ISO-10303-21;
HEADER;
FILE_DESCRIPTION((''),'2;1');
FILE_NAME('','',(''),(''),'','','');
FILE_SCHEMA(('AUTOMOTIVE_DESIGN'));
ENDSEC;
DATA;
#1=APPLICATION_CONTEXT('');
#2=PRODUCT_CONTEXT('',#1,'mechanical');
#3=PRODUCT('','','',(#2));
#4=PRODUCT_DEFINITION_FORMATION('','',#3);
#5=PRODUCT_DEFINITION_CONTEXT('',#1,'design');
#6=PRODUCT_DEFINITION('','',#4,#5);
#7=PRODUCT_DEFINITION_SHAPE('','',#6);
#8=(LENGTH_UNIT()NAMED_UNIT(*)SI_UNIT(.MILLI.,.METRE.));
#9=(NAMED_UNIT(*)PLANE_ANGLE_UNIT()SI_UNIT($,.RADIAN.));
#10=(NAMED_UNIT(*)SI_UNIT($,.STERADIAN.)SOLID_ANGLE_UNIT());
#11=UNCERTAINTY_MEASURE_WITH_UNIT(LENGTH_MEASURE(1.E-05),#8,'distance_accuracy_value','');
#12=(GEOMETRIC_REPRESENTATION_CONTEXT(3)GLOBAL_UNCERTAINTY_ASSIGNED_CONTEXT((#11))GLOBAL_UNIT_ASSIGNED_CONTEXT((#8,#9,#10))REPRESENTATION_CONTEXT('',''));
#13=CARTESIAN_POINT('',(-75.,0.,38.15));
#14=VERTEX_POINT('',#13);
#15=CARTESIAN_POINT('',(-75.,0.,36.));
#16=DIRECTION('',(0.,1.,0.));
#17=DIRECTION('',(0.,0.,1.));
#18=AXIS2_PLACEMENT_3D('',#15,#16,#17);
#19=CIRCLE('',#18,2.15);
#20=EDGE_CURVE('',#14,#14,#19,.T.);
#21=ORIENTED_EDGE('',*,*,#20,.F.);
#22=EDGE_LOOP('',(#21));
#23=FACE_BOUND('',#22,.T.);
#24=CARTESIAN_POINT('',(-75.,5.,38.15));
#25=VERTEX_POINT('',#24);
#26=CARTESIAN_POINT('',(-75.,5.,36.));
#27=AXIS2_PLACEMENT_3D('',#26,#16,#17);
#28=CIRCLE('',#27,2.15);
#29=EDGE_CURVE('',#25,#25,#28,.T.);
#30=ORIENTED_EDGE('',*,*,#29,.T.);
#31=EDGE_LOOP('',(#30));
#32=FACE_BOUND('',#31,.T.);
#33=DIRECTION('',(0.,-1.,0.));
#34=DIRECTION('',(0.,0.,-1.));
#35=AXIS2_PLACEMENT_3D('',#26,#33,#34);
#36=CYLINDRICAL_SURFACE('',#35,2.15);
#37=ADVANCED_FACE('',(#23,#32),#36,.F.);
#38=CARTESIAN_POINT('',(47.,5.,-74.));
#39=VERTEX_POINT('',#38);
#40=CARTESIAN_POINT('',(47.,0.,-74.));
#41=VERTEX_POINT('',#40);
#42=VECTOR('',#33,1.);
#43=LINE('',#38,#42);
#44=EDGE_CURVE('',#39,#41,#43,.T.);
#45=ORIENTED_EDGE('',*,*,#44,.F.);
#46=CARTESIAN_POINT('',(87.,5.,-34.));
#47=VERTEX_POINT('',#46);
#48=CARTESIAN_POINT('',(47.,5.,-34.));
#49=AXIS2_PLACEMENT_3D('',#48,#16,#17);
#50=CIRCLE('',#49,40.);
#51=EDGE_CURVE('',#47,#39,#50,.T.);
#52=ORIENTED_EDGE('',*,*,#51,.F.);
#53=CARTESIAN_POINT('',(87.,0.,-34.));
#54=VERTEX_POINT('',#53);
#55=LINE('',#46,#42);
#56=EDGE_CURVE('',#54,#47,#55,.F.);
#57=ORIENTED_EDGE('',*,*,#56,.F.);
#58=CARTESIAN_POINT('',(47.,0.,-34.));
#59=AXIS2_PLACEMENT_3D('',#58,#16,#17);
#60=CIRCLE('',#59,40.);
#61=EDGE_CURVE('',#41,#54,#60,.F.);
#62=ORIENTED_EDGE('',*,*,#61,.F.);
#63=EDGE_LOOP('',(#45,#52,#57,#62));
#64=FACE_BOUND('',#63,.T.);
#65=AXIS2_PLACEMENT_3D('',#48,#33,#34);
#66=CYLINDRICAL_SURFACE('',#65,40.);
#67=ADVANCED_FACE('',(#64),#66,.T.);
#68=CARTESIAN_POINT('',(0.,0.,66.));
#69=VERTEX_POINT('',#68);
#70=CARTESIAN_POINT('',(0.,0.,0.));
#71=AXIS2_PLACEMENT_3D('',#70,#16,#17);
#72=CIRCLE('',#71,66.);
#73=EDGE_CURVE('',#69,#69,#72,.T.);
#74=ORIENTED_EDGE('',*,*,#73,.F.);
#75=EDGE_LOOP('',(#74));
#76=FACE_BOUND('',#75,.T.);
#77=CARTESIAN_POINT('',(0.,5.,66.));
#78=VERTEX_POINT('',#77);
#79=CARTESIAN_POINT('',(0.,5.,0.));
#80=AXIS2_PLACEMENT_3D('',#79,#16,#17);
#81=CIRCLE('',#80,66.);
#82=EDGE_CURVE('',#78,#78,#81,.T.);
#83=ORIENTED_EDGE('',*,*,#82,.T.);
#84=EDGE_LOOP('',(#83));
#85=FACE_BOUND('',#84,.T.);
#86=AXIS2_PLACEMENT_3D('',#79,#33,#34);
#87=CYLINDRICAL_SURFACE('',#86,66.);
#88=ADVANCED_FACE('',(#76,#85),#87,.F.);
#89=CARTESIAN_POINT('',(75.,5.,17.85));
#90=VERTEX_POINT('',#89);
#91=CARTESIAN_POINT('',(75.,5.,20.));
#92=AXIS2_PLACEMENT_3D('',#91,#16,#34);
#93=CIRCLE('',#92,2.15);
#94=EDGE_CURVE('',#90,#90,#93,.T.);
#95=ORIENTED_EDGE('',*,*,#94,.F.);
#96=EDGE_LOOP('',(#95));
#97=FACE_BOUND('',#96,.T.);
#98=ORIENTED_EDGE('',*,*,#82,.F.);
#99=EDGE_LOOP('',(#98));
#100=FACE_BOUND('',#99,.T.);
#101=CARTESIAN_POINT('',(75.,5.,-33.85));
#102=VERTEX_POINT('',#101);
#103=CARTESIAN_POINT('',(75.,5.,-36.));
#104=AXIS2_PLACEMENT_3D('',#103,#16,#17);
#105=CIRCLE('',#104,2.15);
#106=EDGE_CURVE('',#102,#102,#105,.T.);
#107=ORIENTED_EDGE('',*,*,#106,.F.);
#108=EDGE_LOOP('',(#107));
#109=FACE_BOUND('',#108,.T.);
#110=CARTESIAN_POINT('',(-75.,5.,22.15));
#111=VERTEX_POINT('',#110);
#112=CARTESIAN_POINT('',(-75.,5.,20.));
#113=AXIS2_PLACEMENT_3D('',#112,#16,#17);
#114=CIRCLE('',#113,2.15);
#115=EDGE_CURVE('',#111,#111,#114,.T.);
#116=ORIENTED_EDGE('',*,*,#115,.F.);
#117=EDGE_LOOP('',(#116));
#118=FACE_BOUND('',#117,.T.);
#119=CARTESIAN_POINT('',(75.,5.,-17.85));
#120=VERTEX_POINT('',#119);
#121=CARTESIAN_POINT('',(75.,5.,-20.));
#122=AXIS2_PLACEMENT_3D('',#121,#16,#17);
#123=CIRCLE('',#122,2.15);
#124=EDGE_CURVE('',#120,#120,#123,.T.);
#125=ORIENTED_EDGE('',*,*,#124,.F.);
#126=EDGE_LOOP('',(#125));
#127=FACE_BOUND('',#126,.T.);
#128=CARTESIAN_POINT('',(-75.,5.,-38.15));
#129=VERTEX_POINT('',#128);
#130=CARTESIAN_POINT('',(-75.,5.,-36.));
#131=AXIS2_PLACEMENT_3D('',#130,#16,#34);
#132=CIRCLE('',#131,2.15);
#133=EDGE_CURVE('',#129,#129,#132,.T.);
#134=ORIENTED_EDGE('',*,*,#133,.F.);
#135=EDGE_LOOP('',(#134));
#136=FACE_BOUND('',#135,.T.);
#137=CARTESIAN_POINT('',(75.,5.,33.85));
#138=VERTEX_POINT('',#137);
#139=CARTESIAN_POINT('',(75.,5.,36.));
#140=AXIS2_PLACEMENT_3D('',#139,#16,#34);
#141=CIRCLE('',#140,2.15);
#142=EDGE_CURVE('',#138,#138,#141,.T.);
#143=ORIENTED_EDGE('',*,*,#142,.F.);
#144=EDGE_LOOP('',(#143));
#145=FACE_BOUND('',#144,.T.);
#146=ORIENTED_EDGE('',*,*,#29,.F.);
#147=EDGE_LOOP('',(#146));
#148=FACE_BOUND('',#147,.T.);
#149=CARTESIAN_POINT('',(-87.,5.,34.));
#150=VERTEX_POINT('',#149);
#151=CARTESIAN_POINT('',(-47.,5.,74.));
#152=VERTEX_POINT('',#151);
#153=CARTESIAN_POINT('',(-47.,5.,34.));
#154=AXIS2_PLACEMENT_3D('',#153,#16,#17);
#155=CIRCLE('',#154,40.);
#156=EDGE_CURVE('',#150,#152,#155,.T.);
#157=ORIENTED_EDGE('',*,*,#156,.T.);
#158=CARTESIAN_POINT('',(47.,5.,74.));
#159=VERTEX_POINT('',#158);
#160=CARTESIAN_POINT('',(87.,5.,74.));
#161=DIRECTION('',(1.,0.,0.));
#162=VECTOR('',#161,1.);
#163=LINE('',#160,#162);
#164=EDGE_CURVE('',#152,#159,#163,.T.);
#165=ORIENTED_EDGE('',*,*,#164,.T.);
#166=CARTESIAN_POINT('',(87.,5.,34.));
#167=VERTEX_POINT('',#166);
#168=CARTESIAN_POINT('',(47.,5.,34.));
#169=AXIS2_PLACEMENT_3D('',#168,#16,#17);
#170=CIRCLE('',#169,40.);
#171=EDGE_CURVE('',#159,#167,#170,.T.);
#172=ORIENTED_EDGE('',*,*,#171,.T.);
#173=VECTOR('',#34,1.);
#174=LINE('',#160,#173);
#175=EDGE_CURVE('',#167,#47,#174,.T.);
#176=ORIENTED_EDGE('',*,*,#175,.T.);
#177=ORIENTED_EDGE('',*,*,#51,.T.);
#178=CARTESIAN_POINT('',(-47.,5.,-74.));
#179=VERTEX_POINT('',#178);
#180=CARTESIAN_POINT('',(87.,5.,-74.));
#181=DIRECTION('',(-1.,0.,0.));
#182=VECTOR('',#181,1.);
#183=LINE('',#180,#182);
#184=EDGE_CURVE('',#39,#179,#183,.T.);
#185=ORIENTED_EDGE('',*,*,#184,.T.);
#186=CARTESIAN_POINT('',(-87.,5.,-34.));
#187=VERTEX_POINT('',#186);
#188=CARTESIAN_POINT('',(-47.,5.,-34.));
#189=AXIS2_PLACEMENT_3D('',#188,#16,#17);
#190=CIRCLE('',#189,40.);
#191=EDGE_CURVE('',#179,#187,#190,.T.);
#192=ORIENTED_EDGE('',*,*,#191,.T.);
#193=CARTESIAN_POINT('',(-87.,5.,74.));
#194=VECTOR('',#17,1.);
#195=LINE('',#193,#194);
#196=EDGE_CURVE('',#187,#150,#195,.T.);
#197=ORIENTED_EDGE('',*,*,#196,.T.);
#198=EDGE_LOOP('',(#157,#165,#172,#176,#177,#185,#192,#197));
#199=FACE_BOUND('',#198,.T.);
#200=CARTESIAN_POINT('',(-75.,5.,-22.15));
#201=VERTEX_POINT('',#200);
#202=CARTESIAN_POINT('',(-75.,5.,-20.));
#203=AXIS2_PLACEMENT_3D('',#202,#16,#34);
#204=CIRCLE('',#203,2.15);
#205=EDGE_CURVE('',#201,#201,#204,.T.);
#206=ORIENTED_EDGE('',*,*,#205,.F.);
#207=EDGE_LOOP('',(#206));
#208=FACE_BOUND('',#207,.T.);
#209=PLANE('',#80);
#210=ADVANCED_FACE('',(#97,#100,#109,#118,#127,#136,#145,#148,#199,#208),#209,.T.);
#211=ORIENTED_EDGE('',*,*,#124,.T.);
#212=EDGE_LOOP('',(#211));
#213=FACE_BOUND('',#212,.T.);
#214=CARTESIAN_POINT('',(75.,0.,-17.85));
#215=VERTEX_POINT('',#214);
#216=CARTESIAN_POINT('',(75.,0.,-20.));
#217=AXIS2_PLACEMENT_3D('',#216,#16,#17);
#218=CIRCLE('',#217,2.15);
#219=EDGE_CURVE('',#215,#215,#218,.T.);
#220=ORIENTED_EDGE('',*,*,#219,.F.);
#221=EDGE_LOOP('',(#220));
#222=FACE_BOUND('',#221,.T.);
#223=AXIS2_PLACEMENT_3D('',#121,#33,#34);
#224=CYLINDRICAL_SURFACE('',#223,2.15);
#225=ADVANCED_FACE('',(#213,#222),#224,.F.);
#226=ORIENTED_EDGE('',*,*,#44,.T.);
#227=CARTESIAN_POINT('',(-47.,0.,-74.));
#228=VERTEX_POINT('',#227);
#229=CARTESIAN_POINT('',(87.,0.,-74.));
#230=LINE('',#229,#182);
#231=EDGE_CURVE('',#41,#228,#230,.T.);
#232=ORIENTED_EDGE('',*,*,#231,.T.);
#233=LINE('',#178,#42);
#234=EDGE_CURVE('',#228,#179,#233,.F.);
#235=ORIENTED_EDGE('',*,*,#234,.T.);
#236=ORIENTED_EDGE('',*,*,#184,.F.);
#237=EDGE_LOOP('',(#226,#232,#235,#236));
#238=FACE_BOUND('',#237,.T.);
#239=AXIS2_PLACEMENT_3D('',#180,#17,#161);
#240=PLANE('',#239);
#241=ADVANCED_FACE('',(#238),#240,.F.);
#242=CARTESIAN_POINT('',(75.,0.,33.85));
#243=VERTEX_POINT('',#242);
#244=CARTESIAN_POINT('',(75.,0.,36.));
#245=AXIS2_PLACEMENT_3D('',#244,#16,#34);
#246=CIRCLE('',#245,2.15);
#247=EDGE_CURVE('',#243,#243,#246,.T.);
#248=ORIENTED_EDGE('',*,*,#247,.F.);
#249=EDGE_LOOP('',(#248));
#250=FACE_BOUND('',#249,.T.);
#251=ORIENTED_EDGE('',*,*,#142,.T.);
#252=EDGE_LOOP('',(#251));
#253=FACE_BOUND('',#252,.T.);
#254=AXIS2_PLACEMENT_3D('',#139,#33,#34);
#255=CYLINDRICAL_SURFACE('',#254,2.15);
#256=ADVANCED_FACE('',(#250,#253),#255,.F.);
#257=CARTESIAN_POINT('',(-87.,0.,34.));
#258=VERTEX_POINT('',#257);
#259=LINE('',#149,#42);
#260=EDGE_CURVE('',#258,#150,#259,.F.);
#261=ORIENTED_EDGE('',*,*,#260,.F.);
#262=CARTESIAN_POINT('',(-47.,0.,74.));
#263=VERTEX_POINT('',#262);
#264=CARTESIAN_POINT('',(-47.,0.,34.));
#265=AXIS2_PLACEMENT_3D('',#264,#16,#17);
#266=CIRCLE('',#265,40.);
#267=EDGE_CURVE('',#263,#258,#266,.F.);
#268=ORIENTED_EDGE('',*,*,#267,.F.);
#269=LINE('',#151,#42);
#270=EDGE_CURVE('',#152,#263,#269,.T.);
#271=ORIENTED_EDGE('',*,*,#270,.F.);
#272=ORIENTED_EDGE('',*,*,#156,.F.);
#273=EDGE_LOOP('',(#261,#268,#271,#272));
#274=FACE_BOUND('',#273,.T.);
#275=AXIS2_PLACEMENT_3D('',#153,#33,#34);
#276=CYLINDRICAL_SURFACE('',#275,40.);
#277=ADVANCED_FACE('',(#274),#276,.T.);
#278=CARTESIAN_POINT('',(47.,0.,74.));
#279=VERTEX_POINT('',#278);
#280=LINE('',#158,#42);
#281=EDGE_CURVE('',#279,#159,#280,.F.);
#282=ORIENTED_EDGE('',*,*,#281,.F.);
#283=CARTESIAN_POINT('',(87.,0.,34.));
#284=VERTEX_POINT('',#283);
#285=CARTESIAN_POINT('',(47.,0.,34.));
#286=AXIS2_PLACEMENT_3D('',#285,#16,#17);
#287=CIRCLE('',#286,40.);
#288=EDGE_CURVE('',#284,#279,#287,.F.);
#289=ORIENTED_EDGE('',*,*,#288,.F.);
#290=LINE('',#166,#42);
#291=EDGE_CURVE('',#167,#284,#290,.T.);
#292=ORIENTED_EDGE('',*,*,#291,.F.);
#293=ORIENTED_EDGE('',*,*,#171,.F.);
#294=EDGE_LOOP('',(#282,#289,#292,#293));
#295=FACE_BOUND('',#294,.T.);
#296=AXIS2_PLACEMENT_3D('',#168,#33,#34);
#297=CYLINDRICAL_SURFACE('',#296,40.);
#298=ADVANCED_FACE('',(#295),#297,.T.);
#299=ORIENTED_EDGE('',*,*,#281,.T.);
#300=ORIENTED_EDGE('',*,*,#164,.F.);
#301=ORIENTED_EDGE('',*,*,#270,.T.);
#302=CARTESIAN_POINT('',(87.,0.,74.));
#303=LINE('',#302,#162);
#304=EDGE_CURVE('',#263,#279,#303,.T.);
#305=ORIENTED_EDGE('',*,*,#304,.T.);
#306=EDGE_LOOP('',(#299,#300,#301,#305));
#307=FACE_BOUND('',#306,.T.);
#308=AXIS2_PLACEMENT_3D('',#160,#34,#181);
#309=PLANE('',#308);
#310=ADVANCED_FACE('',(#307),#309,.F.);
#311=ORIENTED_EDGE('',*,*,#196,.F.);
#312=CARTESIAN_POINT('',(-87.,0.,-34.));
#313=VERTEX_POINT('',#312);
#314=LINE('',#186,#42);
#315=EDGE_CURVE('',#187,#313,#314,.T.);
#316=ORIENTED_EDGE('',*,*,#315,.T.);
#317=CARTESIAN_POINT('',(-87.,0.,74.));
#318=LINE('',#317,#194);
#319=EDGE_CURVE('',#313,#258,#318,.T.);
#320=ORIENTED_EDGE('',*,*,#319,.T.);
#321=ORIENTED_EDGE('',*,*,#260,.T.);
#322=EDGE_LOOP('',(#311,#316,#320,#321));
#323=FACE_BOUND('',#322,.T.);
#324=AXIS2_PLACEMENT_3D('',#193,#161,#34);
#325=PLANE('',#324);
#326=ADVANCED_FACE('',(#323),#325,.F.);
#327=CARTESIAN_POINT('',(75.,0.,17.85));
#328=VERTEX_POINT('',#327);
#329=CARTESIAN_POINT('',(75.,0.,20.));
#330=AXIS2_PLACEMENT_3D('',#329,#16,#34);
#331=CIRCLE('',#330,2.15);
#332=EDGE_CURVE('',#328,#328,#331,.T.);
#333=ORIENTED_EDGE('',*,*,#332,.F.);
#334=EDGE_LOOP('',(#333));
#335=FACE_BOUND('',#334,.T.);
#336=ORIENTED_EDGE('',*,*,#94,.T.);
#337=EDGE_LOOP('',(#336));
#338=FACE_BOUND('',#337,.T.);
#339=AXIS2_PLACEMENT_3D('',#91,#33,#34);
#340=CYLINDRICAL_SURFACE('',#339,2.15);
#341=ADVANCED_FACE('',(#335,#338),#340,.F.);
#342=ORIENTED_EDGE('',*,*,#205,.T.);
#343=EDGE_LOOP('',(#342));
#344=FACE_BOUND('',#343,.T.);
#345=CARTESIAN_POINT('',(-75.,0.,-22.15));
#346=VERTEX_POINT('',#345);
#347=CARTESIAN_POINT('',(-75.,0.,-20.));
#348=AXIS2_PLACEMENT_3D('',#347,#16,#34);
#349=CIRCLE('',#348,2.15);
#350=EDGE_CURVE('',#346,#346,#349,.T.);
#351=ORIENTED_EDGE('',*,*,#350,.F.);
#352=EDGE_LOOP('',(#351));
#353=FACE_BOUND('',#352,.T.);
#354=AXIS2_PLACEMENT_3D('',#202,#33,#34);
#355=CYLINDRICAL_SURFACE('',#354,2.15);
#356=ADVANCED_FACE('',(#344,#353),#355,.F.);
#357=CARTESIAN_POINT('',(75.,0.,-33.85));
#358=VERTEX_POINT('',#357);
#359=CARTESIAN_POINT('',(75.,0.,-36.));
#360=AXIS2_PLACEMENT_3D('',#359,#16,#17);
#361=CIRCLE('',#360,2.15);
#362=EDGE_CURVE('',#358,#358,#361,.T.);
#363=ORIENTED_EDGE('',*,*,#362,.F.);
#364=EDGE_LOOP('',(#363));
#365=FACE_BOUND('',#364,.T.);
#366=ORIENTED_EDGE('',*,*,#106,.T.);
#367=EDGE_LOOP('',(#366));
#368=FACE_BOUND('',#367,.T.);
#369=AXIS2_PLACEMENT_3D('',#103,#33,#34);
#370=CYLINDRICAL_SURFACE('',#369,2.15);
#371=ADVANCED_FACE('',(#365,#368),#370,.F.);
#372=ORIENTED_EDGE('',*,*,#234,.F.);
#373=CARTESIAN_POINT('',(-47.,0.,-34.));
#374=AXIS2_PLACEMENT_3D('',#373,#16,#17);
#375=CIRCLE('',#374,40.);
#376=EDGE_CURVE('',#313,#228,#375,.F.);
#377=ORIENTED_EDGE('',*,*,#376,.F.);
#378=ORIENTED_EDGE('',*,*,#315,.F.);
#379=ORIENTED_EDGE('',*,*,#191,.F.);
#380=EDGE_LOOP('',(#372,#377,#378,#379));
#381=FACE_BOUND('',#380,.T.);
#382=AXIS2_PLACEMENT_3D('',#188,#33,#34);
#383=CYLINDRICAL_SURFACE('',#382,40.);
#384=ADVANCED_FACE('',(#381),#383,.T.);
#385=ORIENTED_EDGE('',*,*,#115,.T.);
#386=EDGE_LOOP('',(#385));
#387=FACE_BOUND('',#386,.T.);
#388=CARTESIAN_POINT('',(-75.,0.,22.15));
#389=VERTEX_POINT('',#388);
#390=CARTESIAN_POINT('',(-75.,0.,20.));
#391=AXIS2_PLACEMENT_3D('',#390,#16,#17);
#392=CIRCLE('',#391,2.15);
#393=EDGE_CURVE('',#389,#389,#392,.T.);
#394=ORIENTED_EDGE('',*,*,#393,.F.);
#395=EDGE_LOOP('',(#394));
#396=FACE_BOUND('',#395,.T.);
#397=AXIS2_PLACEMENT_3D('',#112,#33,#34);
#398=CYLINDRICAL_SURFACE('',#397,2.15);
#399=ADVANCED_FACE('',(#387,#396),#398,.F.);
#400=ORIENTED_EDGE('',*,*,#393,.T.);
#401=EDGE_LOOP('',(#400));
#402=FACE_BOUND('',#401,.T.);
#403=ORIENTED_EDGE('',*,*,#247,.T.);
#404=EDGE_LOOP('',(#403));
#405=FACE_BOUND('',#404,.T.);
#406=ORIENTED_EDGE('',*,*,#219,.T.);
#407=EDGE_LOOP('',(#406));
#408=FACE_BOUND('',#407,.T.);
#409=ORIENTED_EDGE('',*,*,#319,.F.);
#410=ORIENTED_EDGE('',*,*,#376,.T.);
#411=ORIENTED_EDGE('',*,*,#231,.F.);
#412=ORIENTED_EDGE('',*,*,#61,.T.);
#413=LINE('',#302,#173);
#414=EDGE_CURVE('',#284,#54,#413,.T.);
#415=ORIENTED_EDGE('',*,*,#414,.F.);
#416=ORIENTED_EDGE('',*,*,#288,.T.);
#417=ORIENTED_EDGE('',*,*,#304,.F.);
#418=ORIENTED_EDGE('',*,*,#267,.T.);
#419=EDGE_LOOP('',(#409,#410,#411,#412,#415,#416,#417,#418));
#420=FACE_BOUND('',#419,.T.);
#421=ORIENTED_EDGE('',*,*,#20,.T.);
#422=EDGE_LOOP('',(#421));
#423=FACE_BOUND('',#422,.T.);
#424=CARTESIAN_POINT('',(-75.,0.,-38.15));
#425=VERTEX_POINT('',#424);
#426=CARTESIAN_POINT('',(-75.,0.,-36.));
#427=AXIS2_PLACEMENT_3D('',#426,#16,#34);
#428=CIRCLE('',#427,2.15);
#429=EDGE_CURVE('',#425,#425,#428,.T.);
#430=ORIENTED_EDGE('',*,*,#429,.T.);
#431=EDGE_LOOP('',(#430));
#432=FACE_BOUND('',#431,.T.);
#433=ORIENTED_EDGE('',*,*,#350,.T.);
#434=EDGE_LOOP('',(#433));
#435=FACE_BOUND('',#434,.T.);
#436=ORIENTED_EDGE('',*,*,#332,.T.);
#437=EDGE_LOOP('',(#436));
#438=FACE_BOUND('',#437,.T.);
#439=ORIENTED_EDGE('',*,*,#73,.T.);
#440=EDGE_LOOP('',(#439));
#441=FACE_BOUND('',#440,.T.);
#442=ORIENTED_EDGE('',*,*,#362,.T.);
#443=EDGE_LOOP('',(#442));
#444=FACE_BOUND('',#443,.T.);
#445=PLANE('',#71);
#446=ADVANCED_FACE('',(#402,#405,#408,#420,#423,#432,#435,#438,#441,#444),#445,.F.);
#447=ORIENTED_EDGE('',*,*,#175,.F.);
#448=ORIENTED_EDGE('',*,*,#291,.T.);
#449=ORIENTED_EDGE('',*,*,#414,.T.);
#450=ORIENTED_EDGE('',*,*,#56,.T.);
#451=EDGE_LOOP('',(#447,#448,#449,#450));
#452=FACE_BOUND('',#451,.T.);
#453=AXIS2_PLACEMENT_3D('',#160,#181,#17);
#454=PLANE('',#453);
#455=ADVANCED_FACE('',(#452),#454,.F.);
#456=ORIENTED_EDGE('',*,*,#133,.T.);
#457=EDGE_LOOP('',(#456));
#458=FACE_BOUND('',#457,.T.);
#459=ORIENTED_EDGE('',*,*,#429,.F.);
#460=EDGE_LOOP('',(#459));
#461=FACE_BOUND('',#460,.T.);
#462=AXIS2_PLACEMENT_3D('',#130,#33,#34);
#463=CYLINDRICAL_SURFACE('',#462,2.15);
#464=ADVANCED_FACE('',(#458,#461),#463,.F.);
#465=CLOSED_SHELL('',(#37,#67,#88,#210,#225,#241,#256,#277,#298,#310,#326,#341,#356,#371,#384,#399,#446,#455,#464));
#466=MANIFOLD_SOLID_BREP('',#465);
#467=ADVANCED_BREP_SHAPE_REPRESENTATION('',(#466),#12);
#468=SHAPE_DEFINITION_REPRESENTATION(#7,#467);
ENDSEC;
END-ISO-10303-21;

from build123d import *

# Parameters (mm, degrees)
SKETCH1_W           = 174
SKETCH1_H           = 148
SKETCH1_R           = 66
SKETCH1_R_2         = 2.15
BOSS_EXTRUDE1_DEPTH = 5
FILLET1_R           = 40


with BuildPart() as part:
    # Sketch1 → Boss-Extrude1 (new body)
    with BuildSketch(Plane(origin=(0, 0, 0), x_dir=(1, 0, 0), z_dir=(0, 1, 0))):
        Rectangle(SKETCH1_W, SKETCH1_H)
        with Locations(Location((0, 0, 0), (0, 0, 270))):
            Circle(SKETCH1_R, mode=Mode.SUBTRACT)
        with Locations(Location((75, 36, 0), (0, 0, 270))):
            Circle(SKETCH1_R_2, mode=Mode.SUBTRACT)
        with Locations(Location((75, 20, 0), (0, 0, 270))):
            Circle(SKETCH1_R_2, mode=Mode.SUBTRACT)
        with Locations(Location((75, -20, 0), (0, 0, 90))):
            Circle(SKETCH1_R_2, mode=Mode.SUBTRACT)
        with Locations(Location((75, -36, 0), (0, 0, 90))):
            Circle(SKETCH1_R_2, mode=Mode.SUBTRACT)
        with Locations(Location((-75, -36, 0), (0, 0, 270))):
            Circle(SKETCH1_R_2, mode=Mode.SUBTRACT)
        with Locations(Location((-75, -20, 0), (0, 0, 270))):
            Circle(SKETCH1_R_2, mode=Mode.SUBTRACT)
        with Locations(Location((-75, 20, 0), (0, 0, 90))):
            Circle(SKETCH1_R_2, mode=Mode.SUBTRACT)
        with Locations(Location((-75, 36, 0), (0, 0, 90))):
            Circle(SKETCH1_R_2, mode=Mode.SUBTRACT)
    extrude(amount=BOSS_EXTRUDE1_DEPTH)

    # Fillet1
    fillet1_edges = [part.edges().sort_by_distance(p)[0] for p in [
        (-87, 2.5, -74),
        (87, 2.5, -74),
        (87, 2.5, 74),
        (-87, 2.5, 74),
    ]]
    fillet(fillet1_edges, radius=FILLET1_R)


solid = part.part
